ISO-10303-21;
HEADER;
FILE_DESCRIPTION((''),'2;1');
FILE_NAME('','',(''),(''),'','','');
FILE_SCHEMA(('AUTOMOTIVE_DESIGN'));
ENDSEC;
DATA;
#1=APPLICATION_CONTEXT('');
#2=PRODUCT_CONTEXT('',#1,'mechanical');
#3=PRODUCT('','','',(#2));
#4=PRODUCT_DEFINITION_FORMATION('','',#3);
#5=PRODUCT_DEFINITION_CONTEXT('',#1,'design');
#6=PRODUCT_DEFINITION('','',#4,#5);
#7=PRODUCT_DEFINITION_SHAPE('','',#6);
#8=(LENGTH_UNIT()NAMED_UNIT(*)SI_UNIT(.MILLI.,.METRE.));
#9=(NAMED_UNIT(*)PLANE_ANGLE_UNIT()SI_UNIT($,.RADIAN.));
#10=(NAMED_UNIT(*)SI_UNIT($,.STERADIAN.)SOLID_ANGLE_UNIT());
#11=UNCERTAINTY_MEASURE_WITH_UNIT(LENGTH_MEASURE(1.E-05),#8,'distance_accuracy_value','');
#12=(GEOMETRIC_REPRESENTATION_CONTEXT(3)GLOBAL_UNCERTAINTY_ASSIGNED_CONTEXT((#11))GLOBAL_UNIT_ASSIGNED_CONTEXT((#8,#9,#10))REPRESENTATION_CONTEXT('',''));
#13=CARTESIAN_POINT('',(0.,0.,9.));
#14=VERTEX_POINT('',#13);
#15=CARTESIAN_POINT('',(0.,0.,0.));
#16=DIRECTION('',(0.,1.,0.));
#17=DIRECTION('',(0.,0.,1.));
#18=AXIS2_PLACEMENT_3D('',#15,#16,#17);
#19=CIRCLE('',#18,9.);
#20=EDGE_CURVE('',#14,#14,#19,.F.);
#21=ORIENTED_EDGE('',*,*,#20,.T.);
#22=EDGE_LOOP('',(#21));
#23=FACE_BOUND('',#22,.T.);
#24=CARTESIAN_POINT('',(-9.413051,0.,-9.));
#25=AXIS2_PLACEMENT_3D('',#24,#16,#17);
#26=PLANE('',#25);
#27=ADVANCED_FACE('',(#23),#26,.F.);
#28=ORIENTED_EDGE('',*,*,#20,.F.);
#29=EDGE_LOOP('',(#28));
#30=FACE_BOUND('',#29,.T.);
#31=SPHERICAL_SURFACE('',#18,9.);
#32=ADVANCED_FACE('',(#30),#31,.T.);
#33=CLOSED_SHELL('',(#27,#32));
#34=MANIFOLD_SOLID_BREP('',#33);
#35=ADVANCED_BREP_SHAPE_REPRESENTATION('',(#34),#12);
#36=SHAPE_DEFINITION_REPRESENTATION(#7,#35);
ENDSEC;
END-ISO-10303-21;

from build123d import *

# Parameters (mm, degrees)
CUT_EXTRUDE1_DEPTH      = 16.588457268
CUT_EXTRUDE1_DEPTH_BACK = 16.588457268
SKETCH2_W               = 19.230708204
SKETCH2_H               = 9.198847427


with BuildPart() as part:
    # Sketch1 → Revolve1 (revolve)
    with BuildSketch(Plane(origin=(0, 0, 0), x_dir=(1, 0, 0), z_dir=(0, 1, 0))):
        with BuildLine():
            Line((0, 9), (0, -9))
            ThreePointArc((0, -9), (-9, 0), (0, 9))
        make_face()
    revolve(axis=Axis((0, 0, -9), (0, 0, 1)))

    # Sketch2 → Cut-Extrude1 (cut, two sides: drawn at the far end of the back side and taken through both)
    with BuildSketch(Plane.XY.offset(-CUT_EXTRUDE1_DEPTH_BACK)):
        with Locations((0.202303242, -4.599423714)):
            Rectangle(SKETCH2_W, SKETCH2_H)
    extrude(amount=CUT_EXTRUDE1_DEPTH + CUT_EXTRUDE1_DEPTH_BACK, mode=Mode.SUBTRACT)


solid = part.part
